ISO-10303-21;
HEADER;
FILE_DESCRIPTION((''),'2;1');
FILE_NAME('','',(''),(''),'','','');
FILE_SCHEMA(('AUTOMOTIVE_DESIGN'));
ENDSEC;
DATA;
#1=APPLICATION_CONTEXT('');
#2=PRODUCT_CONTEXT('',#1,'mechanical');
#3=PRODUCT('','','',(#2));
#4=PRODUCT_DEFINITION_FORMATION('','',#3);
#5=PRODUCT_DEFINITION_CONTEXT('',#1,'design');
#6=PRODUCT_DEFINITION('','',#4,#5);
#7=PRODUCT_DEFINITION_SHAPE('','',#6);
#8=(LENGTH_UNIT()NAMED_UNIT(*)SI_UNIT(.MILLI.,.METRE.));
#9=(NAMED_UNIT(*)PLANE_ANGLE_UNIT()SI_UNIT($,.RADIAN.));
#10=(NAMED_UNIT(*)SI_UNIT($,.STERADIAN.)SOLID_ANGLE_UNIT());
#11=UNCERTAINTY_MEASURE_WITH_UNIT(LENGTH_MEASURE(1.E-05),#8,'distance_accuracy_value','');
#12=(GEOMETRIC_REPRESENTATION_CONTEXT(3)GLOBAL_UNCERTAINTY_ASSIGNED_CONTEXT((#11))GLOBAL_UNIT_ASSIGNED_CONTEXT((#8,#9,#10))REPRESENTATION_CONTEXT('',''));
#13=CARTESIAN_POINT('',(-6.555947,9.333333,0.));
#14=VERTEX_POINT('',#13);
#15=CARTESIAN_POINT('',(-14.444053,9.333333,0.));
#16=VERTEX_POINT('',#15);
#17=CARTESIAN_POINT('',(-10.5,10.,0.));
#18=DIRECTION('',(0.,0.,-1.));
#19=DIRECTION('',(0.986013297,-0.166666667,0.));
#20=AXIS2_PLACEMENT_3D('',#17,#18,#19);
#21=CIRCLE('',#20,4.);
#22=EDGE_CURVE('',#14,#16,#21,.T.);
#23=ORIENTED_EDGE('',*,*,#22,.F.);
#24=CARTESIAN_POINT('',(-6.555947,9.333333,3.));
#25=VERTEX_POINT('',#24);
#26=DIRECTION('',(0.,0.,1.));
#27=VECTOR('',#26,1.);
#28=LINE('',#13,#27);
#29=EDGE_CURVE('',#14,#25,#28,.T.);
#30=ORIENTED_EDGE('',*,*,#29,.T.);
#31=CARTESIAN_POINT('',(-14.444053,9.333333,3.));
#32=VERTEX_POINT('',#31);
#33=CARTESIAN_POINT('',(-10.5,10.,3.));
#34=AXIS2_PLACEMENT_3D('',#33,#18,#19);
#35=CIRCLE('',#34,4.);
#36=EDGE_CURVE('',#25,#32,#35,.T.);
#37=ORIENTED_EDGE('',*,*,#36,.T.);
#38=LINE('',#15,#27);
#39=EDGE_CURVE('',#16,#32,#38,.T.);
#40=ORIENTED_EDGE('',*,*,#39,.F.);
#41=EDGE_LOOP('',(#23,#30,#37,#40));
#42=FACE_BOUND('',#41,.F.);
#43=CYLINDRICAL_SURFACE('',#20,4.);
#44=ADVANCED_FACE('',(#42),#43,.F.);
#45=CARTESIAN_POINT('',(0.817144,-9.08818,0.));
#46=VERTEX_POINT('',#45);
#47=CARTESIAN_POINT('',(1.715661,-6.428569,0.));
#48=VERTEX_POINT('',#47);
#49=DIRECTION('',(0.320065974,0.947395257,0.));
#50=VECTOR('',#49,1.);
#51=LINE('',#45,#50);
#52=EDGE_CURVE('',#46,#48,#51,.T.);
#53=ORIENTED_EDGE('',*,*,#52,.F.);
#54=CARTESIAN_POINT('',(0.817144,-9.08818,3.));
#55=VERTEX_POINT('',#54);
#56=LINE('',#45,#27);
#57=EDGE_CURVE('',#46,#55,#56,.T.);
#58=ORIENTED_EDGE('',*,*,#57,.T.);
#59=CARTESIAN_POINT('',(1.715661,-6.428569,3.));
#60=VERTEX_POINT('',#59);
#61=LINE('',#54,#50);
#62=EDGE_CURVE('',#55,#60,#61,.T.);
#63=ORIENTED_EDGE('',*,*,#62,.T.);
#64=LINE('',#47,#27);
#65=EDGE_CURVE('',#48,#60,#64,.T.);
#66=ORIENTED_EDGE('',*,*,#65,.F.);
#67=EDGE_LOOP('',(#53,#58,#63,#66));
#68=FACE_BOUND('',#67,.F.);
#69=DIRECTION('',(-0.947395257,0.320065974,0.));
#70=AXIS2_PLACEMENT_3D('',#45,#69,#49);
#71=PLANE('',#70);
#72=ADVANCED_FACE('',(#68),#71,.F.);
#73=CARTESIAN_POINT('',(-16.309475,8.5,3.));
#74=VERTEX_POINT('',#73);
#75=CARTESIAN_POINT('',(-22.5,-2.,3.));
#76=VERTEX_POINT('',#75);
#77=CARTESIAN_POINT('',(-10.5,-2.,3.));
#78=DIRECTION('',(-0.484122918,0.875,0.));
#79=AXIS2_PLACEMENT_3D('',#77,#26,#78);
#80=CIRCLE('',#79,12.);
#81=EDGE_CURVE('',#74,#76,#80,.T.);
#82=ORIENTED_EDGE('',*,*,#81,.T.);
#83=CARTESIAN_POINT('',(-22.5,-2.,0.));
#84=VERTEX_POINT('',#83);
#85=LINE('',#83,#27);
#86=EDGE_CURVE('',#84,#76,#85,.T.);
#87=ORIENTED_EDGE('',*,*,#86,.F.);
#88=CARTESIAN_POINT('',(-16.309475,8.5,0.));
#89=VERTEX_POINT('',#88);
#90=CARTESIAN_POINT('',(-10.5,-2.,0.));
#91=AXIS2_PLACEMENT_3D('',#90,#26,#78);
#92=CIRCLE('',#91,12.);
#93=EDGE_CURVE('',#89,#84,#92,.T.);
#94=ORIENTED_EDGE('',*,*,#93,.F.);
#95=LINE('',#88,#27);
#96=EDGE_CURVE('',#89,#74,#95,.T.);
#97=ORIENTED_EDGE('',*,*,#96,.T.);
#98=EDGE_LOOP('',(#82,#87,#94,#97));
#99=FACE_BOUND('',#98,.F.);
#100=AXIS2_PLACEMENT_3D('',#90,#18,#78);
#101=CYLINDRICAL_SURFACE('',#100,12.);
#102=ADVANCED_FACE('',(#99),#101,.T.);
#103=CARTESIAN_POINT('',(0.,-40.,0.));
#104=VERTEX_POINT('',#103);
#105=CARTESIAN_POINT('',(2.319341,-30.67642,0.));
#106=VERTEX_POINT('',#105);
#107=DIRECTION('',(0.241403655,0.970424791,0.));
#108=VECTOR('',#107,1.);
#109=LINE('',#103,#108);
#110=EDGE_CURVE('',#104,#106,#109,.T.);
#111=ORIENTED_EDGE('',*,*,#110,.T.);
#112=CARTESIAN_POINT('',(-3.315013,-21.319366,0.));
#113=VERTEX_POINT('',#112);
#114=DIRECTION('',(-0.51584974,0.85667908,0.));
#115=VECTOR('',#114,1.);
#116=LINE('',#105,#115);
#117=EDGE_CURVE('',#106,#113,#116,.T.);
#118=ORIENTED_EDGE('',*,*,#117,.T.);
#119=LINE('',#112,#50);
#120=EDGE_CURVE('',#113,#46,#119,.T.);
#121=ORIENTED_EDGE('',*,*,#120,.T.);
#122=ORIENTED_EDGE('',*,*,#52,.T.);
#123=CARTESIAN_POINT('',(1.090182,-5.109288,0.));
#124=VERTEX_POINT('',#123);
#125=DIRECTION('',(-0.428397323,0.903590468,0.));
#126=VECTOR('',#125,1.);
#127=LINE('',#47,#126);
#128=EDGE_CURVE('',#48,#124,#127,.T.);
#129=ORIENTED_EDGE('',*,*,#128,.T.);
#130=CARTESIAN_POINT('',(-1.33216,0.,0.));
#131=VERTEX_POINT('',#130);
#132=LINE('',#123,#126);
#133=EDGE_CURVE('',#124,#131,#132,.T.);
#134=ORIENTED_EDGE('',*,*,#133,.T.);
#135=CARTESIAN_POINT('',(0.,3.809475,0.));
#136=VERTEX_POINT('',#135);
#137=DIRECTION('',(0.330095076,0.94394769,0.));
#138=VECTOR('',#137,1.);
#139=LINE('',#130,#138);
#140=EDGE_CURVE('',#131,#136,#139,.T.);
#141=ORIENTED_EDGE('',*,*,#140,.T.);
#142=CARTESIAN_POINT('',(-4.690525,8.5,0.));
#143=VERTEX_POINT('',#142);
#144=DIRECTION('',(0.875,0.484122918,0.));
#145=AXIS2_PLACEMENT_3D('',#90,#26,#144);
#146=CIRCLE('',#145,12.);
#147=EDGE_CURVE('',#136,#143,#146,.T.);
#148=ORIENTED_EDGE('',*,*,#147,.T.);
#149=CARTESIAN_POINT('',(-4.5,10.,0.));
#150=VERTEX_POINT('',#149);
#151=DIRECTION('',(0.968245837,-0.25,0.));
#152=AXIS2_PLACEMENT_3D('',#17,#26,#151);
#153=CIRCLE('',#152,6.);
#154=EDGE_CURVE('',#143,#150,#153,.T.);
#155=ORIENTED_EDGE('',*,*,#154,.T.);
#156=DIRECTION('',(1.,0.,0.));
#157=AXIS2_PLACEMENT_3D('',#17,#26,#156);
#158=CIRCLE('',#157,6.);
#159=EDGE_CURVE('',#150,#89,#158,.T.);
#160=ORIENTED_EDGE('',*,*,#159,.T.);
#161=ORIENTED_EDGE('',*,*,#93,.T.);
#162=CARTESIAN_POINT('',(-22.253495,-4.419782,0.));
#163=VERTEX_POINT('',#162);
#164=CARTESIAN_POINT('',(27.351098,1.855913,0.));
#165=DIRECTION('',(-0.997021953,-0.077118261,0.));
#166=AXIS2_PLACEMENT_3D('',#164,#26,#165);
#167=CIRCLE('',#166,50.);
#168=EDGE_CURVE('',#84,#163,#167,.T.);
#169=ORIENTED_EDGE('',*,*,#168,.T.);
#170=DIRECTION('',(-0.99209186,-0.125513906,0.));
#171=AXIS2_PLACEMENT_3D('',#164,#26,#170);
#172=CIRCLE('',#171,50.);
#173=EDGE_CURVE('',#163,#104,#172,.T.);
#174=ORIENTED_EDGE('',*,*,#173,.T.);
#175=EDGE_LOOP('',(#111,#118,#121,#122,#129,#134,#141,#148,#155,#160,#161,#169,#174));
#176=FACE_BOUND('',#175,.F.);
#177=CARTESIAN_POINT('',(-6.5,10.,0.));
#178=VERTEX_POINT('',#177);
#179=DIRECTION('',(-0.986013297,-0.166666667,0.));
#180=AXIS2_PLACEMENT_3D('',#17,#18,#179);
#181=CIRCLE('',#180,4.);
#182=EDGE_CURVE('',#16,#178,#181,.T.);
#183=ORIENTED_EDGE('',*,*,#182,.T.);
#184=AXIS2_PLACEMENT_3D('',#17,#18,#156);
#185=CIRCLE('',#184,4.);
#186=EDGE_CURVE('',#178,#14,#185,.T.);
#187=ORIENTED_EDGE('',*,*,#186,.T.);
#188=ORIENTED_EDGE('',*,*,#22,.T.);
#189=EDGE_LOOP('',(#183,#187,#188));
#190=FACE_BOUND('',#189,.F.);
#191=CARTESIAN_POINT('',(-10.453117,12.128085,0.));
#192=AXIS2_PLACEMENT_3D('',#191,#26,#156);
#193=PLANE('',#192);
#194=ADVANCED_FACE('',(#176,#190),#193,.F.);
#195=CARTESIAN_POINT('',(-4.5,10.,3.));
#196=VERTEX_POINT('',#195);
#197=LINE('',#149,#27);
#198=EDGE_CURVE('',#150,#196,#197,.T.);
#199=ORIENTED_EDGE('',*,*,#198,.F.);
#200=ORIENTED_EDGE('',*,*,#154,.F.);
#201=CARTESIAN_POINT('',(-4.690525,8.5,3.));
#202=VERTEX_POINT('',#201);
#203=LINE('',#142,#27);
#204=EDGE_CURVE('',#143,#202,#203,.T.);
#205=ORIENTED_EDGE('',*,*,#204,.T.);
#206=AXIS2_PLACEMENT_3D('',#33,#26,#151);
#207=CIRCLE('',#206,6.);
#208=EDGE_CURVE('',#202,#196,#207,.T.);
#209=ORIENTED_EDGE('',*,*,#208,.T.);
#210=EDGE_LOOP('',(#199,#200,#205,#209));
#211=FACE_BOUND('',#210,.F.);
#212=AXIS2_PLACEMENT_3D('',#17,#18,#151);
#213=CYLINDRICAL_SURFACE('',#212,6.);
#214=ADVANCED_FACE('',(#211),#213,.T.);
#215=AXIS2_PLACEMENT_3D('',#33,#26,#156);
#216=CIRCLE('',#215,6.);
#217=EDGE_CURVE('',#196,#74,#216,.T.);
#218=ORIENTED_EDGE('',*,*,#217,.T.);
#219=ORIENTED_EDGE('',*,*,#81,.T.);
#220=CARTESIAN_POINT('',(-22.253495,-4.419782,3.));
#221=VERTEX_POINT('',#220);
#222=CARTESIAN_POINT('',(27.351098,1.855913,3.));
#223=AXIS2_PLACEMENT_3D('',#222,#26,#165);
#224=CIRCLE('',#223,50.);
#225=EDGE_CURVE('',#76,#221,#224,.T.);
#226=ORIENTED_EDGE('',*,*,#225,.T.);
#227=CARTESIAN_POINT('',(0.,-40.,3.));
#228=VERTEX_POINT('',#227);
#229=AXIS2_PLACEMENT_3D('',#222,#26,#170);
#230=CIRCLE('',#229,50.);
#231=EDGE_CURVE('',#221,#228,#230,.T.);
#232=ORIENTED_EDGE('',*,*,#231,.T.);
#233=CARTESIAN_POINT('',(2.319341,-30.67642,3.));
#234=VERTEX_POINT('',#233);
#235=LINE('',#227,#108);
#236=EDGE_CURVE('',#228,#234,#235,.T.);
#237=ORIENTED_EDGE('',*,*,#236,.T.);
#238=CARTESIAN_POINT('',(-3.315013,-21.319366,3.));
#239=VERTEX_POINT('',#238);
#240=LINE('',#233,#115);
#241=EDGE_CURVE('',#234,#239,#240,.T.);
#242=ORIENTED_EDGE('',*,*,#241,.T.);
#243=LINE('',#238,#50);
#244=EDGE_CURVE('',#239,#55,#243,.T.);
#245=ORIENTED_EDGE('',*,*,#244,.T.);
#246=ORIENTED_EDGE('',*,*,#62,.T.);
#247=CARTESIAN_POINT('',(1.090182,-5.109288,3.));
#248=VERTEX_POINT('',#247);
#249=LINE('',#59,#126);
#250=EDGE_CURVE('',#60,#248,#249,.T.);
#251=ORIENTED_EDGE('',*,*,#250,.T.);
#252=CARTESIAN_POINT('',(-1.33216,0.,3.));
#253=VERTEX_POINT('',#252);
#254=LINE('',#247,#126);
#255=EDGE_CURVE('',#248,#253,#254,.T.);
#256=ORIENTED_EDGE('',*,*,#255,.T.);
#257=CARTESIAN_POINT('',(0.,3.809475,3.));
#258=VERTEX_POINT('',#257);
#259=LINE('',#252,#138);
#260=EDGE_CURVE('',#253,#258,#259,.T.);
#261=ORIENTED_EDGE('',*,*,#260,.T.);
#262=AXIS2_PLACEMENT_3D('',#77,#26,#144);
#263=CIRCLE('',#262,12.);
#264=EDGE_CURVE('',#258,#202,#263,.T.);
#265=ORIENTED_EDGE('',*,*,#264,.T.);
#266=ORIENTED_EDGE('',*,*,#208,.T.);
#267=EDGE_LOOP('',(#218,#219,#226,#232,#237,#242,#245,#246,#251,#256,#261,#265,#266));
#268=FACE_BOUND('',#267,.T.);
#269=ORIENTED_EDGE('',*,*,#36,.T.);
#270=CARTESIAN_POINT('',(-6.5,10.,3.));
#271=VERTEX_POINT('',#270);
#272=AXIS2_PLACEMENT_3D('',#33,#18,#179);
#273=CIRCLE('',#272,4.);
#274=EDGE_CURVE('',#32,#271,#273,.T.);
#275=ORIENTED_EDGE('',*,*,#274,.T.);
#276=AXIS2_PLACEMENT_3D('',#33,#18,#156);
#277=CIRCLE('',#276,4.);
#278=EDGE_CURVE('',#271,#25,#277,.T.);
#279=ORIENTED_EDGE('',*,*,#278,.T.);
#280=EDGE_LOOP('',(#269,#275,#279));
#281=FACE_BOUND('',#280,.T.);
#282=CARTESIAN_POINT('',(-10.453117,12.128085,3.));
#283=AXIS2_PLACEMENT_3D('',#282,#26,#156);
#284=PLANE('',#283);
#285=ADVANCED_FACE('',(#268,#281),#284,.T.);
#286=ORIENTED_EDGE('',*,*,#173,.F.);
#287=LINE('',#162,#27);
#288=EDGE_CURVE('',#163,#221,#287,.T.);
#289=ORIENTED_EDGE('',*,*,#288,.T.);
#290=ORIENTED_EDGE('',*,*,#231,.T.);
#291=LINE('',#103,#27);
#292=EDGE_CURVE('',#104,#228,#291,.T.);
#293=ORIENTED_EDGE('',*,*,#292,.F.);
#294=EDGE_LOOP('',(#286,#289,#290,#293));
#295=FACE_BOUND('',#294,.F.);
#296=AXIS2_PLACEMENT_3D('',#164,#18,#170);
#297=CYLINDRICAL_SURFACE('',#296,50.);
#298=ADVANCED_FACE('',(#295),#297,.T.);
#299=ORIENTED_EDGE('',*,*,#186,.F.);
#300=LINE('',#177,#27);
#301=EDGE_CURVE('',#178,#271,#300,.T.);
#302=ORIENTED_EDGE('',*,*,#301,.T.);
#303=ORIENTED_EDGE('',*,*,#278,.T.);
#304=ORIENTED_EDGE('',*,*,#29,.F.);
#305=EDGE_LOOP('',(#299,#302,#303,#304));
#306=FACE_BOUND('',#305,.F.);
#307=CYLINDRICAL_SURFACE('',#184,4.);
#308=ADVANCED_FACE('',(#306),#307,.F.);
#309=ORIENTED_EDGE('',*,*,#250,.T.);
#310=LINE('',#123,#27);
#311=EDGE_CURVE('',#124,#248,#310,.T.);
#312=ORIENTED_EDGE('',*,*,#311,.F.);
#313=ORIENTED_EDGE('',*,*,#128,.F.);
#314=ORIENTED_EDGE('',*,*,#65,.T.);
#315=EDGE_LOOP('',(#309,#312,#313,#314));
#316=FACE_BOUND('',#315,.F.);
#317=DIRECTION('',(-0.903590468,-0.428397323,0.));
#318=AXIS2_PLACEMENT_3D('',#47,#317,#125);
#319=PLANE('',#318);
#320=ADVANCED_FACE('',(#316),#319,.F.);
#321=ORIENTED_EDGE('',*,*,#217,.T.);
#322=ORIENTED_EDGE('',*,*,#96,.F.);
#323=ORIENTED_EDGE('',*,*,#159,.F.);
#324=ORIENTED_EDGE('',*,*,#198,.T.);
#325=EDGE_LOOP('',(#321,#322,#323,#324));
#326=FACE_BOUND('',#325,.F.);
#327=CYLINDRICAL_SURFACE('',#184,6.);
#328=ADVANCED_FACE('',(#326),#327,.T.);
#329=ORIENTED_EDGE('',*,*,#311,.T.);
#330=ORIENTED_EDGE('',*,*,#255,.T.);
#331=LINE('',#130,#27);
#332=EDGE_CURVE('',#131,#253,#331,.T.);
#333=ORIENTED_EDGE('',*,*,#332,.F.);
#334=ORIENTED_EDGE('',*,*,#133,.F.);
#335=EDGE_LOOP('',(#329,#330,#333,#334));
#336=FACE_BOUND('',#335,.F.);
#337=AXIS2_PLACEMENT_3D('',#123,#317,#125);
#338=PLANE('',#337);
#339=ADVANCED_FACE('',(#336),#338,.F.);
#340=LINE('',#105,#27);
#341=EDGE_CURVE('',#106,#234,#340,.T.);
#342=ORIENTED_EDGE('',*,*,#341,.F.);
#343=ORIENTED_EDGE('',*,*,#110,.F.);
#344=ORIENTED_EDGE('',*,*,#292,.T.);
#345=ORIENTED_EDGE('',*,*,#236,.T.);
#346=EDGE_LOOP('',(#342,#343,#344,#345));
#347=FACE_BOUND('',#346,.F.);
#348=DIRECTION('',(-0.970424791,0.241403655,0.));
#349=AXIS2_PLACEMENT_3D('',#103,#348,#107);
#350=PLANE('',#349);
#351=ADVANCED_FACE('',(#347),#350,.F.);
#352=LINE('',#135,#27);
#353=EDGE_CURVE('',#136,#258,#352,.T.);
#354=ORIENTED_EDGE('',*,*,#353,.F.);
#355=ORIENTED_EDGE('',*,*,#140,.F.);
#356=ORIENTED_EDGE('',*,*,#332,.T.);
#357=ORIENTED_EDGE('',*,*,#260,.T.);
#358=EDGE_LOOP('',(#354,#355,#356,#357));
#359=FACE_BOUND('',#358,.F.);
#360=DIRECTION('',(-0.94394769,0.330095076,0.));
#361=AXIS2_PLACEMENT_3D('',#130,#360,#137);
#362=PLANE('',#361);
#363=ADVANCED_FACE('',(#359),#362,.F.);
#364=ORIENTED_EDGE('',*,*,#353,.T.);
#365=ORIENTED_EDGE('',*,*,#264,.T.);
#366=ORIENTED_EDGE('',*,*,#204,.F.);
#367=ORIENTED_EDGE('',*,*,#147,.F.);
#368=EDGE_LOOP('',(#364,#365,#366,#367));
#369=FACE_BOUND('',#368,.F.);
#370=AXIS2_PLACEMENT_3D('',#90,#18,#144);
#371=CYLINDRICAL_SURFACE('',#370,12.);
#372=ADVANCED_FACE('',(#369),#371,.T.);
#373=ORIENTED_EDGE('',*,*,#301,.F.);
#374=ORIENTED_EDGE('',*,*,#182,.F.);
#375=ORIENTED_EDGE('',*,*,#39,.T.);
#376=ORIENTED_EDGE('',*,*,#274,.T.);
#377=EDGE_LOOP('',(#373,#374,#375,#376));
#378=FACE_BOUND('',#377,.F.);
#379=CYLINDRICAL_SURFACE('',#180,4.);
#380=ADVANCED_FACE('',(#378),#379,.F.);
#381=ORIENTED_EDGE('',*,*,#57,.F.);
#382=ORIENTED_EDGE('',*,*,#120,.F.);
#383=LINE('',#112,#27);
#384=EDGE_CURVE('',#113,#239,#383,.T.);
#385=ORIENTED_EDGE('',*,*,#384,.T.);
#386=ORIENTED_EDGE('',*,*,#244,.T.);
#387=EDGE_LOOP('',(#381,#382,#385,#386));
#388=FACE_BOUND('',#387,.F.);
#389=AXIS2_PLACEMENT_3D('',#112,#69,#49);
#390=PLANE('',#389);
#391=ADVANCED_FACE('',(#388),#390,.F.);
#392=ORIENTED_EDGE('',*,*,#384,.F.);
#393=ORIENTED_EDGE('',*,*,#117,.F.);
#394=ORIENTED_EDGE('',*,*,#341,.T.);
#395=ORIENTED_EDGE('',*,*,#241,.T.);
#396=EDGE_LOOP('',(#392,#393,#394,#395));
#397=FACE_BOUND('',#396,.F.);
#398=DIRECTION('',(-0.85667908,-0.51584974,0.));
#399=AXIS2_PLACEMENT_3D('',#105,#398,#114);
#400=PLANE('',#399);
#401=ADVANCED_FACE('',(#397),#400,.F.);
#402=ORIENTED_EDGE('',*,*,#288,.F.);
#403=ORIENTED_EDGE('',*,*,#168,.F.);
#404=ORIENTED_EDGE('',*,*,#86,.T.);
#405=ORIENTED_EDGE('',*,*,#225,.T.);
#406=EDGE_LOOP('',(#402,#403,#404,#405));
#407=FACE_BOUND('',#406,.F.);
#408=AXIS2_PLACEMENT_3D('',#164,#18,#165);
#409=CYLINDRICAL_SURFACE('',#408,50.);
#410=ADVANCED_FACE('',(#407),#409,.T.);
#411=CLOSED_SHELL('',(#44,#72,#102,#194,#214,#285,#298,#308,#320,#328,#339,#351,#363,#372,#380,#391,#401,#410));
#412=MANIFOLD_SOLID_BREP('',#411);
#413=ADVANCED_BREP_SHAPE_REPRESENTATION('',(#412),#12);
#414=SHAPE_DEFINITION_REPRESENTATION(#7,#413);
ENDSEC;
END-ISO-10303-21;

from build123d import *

# Parameters (mm, degrees)
F1_DEPTH = 3


with BuildPart() as f1:
    # F0 (on Top) → F1 (new body)
    with BuildSketch(Plane.XY):
        with BuildLine():
            ThreePointArc((-6.5559468113, 9.3333333333), (-5.6054684353, 8.9564392374), (-4.6905249807, 8.5))
            ThreePointArc((-4.6905249807, 8.5), (-4.5478218224, 9.2439742451), (-4.5, 10))
            ThreePointArc((-4.5, 10), (-11.2560257549, 15.9521781776), (-16.3094750193, 8.5))
            ThreePointArc((-16.3094750193, 8.5), (-15.3945315647, 8.9564392374), (-14.4440531887, 9.3333333333))
            ThreePointArc((-14.4440531887, 9.3333333333), (-10.8345050411, 13.9859887578), (-6.5, 10))
            ThreePointArc((-6.5, 10), (-6.5140112422, 9.6654949589), (-6.5559468113, 9.3333333333))
        make_face()
        with BuildLine():
            ThreePointArc((-16.3094750193, 8.5), (-10.5, 4), (-4.6905249807, 8.5))
            ThreePointArc((-4.6905249807, 8.5), (-5.6054684353, 8.9564392374), (-6.5559468113, 9.3333333333))
            ThreePointArc((-6.5559468113, 9.3333333333), (-10.5, 6), (-14.4440531887, 9.3333333333))
            ThreePointArc((-14.4440531887, 9.3333333333), (-15.3945315647, 8.9564392374), (-16.3094750193, 8.5))
        make_face()
        with BuildLine():
            ThreePointArc((-1.3321595662, 0), (-0.8273722771, 1.9611409085), (0, 3.8094750193))
            ThreePointArc((0, 3.8094750193), (-2.0147186258, 6.4852813742), (-4.6905249807, 8.5))
            ThreePointArc((-4.6905249807, 8.5), (-10.5, 4), (-16.3094750193, 8.5))
            ThreePointArc((-16.3094750193, 8.5), (-20.8371587061, 4.094518019), (-22.5, -2))
            ThreePointArc((-22.5, -2), (-22.3914639986, -3.2113902714), (-22.253495394, -4.4197822265))
            ThreePointArc((-22.253495394, -4.4197822265), (-12.3070188109, -13.8631649663), (0, -7.8094750193))
            ThreePointArc((0, -7.8094750193), (-1.3291298387, -4.0178422283), (-1.3321595662, 0))
        make_face()
        with BuildLine():
            ThreePointArc((0, -7.8094750193), (0.6272994629, -6.4925723882), (1.0901824777, -5.1092877211))
            Line((1.0901824777, -5.1092877211), (-1.3321595662, 0))
            ThreePointArc((-1.3321595662, 0), (-1.3291298387, -4.0178422283), (0, -7.8094750193))
        make_face()
        with BuildLine():
            Line((1.7156613405, -6.4285693978), (1.0901824777, -5.1092877211))
            ThreePointArc((1.0901824777, -5.1092877211), (0.6272994629, -6.4925723882), (0, -7.8094750193))
            ThreePointArc((0, -7.8094750193), (0.3883389068, -8.4617574959), (0.8171440868, -9.0881803987))
            Line((0.8171440868, -9.0881803987), (1.7156613405, -6.4285693978))
        make_face()
        with BuildLine():
            ThreePointArc((0.8171440868, -9.0881803987), (0.3883389068, -8.4617574959), (0, -7.8094750193))
            ThreePointArc((0, -7.8094750193), (-12.3070188109, -13.8631649663), (-22.253495394, -4.4197822265))
            ThreePointArc((-22.253495394, -4.4197822265), (-15.0403231441, -24.6576201784), (0, -40))
            Line((0, -40), (2.3193413737, -30.6764196892))
            Line((2.3193413737, -30.6764196892), (-3.3150132865, -21.3193659027))
            Line((-3.3150132865, -21.3193659027), (0.8171440868, -9.0881803987))
        make_face()
        with BuildLine():
            Line((-1.3321595662, 0), (0, 3.8094750193))
            ThreePointArc((0, 3.8094750193), (-0.8273722771, 1.9611409085), (-1.3321595662, 0))
        make_face()
    extrude(amount=F1_DEPTH)


solid = f1.part
